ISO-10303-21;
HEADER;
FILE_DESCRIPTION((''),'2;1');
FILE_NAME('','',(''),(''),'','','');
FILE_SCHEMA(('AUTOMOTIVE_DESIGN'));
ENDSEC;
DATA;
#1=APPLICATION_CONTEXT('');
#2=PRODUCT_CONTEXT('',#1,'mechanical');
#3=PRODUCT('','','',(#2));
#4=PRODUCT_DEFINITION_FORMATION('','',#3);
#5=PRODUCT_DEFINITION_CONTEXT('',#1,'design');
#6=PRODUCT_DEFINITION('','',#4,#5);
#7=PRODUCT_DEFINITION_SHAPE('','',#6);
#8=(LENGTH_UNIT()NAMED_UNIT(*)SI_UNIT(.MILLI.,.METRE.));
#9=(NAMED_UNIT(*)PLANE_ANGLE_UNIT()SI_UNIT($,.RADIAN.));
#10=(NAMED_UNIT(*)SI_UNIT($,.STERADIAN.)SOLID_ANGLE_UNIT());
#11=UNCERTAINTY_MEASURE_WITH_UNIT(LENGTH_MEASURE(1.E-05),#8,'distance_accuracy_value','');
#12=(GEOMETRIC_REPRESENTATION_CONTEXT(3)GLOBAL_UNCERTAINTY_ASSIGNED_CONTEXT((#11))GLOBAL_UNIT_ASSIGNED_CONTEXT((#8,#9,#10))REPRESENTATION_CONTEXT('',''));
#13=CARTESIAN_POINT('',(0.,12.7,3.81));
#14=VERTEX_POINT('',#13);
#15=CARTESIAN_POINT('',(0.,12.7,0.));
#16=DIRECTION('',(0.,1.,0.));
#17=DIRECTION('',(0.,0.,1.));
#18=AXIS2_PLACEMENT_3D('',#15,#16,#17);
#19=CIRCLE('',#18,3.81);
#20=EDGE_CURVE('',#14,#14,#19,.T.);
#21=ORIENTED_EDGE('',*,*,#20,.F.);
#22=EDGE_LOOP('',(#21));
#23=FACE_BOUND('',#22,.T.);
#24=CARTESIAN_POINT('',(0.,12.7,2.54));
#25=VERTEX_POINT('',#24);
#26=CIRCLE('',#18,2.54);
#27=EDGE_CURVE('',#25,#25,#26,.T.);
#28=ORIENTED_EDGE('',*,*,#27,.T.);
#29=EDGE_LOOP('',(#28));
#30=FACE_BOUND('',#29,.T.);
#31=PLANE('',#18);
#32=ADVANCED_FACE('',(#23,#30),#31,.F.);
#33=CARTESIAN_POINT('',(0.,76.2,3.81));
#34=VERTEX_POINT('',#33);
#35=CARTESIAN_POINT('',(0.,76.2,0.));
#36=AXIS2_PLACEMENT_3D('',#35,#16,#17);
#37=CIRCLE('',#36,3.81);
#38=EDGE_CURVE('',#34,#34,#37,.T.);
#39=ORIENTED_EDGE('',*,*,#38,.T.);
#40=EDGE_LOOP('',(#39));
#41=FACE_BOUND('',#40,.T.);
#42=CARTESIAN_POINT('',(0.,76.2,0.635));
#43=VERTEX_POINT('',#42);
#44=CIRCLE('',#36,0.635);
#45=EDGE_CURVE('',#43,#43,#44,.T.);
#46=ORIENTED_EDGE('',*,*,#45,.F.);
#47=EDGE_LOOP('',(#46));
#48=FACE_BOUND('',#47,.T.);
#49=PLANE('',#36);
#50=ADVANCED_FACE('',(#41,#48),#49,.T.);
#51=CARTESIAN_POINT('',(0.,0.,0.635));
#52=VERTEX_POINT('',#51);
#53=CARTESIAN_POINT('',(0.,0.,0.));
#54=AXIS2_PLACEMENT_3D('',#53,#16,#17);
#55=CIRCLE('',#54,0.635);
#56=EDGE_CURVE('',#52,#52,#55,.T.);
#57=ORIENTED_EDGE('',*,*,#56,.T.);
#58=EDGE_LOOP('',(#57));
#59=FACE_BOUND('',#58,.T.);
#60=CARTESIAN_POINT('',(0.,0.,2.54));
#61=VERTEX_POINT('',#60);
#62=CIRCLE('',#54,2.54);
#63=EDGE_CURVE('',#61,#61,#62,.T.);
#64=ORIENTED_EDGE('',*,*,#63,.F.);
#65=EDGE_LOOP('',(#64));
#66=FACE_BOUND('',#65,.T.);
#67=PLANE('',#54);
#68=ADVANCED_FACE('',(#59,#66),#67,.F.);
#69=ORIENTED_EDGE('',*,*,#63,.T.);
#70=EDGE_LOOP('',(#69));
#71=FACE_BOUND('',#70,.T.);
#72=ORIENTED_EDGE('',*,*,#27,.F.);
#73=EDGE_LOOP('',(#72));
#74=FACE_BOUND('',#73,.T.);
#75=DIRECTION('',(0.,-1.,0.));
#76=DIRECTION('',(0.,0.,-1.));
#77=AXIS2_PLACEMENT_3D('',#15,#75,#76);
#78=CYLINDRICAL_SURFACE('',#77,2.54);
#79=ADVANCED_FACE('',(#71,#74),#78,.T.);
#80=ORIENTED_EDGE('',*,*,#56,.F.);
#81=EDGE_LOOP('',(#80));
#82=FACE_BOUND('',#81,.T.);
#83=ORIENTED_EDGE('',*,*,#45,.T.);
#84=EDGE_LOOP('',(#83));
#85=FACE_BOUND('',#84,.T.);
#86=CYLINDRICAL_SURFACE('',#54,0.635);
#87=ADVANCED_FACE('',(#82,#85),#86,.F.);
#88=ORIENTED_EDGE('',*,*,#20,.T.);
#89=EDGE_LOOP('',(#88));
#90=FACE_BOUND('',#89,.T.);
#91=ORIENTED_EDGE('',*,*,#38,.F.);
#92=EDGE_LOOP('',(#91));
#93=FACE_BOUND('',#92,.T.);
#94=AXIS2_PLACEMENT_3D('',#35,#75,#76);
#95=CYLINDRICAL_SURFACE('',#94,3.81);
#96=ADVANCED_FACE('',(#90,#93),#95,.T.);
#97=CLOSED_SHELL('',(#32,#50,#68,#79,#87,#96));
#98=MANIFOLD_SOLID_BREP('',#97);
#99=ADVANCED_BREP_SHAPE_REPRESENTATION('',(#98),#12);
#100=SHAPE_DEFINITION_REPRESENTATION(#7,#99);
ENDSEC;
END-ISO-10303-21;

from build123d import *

# Parameters (mm, degrees)
SKETCH1_R           = 2.54
BOSS_EXTRUDE1_DEPTH = 12.7
SKETCH2_R           = 3.81
BOSS_EXTRUDE2_DEPTH = 63.5
SKETCH3_R           = 0.635
CUT_EXTRUDE1_DEPTH  = 77.390262468


with BuildPart() as part:
    # Sketch1 → Boss-Extrude1 (new body)
    with BuildSketch(Plane(origin=(0, 0, 0), x_dir=(1, 0, 0), z_dir=(0, 1, 0))):
        with Locations(Location((0, 0, 0), (0, 0, 270))):
            Circle(SKETCH1_R)
    extrude(amount=BOSS_EXTRUDE1_DEPTH)

    # Sketch2 → Boss-Extrude2 (add)
    with BuildSketch(Plane(origin=(0, 12.7, 0), x_dir=(1, 0, 0), z_dir=(0, 1, 0))):
        with Locations(Location((0, 0, 0), (0, 0, 270))):
            Circle(SKETCH2_R)
    extrude(amount=BOSS_EXTRUDE2_DEPTH)

    # Sketch3 → Cut-Extrude1 (cut, through all)
    with BuildSketch(Plane(origin=(0, 76.2, 0), x_dir=(1, 0, 0), z_dir=(0, 1, 0))):
        with Locations(Location((0, 0, 0), (0, 0, 270))):
            Circle(SKETCH3_R)
    extrude(amount=-CUT_EXTRUDE1_DEPTH, mode=Mode.SUBTRACT)


solid = part.part
